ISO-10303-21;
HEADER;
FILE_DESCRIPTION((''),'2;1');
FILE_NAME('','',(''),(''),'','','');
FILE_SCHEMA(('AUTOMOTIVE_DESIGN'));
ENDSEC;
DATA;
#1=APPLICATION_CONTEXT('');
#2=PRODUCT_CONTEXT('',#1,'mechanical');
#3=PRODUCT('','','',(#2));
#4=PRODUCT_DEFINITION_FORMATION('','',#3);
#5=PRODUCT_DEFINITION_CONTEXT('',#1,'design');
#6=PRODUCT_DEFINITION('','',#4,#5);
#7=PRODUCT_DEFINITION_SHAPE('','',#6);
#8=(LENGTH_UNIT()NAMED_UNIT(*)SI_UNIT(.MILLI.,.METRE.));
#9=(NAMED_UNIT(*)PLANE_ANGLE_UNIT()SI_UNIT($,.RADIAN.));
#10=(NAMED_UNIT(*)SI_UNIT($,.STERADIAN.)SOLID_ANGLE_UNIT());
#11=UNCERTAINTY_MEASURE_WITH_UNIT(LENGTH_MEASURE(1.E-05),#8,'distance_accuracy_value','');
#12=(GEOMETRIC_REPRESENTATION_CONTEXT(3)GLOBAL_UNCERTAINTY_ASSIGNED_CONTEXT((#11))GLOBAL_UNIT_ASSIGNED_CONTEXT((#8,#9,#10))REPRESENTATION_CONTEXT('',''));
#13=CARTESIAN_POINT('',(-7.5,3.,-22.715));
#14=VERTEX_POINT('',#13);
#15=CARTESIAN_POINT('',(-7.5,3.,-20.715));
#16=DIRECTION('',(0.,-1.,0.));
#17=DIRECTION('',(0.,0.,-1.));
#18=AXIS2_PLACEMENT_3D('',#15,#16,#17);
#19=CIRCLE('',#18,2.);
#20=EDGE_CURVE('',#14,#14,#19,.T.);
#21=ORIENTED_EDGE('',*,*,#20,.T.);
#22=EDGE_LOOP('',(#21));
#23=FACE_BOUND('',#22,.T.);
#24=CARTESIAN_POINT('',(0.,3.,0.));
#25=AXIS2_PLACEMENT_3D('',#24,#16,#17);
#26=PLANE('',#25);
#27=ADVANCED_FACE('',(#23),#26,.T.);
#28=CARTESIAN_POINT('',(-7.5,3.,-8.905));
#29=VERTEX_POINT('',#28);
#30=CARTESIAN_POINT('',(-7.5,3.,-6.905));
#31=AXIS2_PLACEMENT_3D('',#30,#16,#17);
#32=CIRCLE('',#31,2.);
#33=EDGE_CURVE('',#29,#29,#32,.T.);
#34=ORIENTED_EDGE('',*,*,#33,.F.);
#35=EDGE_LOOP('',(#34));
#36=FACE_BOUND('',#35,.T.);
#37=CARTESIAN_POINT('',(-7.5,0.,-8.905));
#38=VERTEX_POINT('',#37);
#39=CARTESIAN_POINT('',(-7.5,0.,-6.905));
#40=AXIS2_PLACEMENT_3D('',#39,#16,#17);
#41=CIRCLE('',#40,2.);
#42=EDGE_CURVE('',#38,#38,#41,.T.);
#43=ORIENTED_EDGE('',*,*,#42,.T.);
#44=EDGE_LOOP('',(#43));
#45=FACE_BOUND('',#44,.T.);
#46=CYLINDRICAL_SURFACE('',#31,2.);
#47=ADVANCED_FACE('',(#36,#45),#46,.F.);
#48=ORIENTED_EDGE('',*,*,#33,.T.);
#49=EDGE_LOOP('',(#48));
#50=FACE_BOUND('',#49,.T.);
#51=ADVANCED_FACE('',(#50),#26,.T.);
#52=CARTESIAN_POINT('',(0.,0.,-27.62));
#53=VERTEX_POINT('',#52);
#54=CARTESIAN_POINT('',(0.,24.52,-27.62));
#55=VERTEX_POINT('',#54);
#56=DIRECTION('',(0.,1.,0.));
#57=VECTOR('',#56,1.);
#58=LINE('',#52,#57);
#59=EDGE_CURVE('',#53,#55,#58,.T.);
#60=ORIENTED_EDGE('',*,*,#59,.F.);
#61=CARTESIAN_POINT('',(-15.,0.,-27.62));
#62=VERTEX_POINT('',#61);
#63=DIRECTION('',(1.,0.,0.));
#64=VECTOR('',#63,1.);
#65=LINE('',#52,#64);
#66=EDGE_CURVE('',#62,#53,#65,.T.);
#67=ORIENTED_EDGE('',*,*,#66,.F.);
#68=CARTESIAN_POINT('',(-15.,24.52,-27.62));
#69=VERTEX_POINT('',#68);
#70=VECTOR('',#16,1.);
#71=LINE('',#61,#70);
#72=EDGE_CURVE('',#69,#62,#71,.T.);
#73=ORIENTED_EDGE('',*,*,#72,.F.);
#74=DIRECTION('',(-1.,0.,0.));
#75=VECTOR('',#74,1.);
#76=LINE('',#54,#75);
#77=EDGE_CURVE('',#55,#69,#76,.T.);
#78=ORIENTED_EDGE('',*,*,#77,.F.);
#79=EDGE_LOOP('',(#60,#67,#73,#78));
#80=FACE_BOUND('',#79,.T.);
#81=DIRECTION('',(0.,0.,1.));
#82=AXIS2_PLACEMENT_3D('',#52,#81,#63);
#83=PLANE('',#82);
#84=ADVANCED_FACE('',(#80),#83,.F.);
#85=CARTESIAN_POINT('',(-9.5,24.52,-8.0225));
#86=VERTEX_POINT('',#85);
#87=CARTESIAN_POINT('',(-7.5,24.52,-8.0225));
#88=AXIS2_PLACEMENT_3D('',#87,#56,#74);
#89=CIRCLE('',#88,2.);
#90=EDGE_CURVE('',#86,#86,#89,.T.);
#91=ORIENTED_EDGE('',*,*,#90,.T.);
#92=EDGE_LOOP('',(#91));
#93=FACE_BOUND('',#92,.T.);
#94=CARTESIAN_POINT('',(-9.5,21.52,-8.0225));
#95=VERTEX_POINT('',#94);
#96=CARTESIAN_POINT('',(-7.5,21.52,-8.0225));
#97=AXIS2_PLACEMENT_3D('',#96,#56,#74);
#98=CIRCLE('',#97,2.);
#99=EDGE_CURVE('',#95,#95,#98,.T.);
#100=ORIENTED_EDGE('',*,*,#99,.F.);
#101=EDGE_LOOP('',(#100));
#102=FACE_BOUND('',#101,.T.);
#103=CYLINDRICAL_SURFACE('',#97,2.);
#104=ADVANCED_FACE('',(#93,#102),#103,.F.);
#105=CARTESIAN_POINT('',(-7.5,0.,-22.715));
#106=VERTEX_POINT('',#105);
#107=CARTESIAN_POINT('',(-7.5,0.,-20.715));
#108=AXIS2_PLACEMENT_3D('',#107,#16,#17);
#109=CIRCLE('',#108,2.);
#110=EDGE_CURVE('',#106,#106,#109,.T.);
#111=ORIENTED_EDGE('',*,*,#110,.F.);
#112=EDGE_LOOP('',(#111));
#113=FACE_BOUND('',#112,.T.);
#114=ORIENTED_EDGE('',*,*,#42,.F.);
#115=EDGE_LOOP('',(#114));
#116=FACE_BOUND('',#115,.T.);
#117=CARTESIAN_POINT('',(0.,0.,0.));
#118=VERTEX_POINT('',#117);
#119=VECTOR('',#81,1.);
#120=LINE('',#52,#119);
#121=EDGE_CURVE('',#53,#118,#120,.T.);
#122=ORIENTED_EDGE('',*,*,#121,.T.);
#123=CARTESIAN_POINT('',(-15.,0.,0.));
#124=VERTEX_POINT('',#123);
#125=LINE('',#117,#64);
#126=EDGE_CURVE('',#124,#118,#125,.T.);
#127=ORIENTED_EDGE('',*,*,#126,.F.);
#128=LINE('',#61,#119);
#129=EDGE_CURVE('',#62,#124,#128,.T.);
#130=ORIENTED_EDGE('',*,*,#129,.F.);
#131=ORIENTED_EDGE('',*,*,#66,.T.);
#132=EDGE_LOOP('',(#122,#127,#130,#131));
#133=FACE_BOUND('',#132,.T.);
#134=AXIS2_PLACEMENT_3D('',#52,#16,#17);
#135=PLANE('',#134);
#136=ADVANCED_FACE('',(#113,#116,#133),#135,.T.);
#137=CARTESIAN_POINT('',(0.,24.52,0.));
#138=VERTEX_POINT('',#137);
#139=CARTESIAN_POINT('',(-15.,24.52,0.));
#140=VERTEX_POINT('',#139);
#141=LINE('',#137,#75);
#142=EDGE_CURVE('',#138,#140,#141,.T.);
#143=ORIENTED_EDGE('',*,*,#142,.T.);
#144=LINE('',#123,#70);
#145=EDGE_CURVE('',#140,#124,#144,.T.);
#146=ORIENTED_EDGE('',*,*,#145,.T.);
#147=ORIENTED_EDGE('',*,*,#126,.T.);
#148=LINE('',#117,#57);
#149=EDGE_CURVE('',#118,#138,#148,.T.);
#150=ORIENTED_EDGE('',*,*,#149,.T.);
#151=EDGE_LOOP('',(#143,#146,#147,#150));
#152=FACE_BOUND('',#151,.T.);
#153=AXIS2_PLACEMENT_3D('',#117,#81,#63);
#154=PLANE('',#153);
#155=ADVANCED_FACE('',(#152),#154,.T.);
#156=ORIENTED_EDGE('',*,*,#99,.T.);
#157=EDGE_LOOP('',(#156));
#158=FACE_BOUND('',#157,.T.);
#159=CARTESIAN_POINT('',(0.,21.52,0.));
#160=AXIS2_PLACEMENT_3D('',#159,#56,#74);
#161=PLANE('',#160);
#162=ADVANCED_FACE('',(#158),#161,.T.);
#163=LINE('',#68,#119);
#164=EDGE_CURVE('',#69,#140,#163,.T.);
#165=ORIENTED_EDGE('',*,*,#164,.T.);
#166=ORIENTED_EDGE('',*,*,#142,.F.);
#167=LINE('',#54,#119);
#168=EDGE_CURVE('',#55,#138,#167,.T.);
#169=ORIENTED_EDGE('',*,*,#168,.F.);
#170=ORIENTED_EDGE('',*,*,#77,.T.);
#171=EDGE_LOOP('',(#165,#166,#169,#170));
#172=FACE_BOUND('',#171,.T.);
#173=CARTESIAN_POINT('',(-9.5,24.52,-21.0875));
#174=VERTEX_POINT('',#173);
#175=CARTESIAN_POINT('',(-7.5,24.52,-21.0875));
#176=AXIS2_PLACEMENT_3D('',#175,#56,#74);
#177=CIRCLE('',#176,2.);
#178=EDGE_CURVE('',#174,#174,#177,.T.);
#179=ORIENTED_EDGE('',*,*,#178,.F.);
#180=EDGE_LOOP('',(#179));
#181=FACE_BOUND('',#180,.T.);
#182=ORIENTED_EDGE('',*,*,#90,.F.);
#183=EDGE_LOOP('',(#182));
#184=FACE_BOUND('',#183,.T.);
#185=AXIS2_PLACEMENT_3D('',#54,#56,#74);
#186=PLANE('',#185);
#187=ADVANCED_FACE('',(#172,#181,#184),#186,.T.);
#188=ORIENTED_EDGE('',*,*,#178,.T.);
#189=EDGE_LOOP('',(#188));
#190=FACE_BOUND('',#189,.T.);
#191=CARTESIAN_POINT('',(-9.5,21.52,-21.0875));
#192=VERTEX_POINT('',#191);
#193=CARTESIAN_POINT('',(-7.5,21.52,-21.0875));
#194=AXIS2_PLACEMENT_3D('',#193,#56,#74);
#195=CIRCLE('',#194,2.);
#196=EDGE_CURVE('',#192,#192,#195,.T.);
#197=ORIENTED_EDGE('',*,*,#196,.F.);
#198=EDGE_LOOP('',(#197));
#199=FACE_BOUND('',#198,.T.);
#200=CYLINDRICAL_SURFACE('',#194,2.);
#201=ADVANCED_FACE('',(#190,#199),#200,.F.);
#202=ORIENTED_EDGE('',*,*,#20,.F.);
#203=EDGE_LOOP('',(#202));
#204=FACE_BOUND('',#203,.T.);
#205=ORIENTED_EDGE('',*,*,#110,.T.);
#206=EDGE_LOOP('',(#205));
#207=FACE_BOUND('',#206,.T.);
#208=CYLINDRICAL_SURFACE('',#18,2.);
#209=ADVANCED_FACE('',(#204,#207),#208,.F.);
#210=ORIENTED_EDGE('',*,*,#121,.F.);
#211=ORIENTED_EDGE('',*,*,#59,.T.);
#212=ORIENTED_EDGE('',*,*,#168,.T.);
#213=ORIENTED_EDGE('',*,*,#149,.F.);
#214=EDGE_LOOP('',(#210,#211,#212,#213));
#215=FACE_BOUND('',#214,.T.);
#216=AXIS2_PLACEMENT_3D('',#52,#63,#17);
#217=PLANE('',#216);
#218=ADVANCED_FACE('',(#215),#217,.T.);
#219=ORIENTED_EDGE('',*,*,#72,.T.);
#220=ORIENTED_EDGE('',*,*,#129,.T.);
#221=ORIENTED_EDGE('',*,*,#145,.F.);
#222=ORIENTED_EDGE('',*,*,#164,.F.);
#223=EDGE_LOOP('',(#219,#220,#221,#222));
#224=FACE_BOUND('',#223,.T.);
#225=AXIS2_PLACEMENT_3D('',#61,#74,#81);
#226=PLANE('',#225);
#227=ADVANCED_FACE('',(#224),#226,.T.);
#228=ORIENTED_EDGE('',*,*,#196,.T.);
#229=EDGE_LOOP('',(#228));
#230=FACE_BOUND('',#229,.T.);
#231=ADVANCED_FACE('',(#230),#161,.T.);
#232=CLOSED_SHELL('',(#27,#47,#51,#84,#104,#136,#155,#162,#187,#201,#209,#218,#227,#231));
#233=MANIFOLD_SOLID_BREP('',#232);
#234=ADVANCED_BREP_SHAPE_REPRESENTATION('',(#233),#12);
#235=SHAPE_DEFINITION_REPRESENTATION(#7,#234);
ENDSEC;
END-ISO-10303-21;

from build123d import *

# Parameters (mm, degrees)
ESQUISSE1_W             = 15
ESQUISSE1_H             = 24.52
BOSS_EXTRU_1_DEPTH      = 27.62
ENL_V_MAT_EXTRU_1_DEPTH = 3
ENL_V_MAT_EXTRU_2_DEPTH = 3


with BuildPart() as part:
    # Esquisse1 → Boss.-Extru.1 (new body)
    with BuildSketch(Plane.XY):
        with Locations((-7.5, 12.26)):
            Rectangle(ESQUISSE1_W, ESQUISSE1_H)
    extrude(amount=-BOSS_EXTRU_1_DEPTH)

    # Esquisse2 → Enlèv. mat.-Extru.1 (cut)
    with BuildSketch(Plane(origin=(0, 24.52, 0), x_dir=(1, 0, 0), z_dir=(0, 1, 0))):
        with BuildLine():
            ThreePointArc((-7.5, 23.0875), (-9.5, 21.0875), (-7.5, 19.0875))
            Line((-7.5, 19.0875), (-7.5, 23.0875))
        make_face()
        with BuildLine():
            Line((-7.5, 23.0875), (-7.5, 19.0875))
            ThreePointArc((-7.5, 19.0875), (-6.085786438, 19.673286438), (-5.5, 21.0875))
            ThreePointArc((-5.5, 21.0875), (-6.085786438, 22.501713562), (-7.5, 23.0875))
        make_face()
        with BuildLine():
            ThreePointArc((-5.5, 8.0225), (-6.085786438, 9.436713562), (-7.5, 10.0225))
            Line((-7.5, 10.0225), (-7.5, 6.0225))
            ThreePointArc((-7.5, 6.0225), (-6.085786438, 6.608286438), (-5.5, 8.0225))
        make_face()
        with BuildLine():
            Line((-7.5, 6.0225), (-7.5, 10.0225))
            ThreePointArc((-7.5, 10.0225), (-9.5, 8.0225), (-7.5, 6.0225))
        make_face()
    extrude(amount=-ENL_V_MAT_EXTRU_1_DEPTH, mode=Mode.SUBTRACT)

    # Esquisse3 → Enlèv. mat.-Extru.2 (cut)
    with BuildSketch(Plane.XZ):
        with BuildLine():
            ThreePointArc((-7.5, -4.905), (-9.5, -6.905), (-7.5, -8.905))
            Line((-7.5, -8.905), (-7.5, -4.905))
        make_face()
        with BuildLine():
            Line((-7.5, -4.905), (-7.5, -8.905))
            ThreePointArc((-7.5, -8.905), (-6.085786438, -8.319213562), (-5.5, -6.905))
            ThreePointArc((-5.5, -6.905), (-6.085786438, -5.490786438), (-7.5, -4.905))
        make_face()
        with BuildLine():
            ThreePointArc((-5.5, -20.715), (-6.085786438, -19.300786438), (-7.5, -18.715))
            Line((-7.5, -18.715), (-7.5, -22.715))
            ThreePointArc((-7.5, -22.715), (-6.085786438, -22.129213562), (-5.5, -20.715))
        make_face()
        with BuildLine():
            Line((-7.5, -22.715), (-7.5, -18.715))
            ThreePointArc((-7.5, -18.715), (-9.5, -20.715), (-7.5, -22.715))
        make_face()
    extrude(amount=-ENL_V_MAT_EXTRU_2_DEPTH, mode=Mode.SUBTRACT)


solid = part.part
